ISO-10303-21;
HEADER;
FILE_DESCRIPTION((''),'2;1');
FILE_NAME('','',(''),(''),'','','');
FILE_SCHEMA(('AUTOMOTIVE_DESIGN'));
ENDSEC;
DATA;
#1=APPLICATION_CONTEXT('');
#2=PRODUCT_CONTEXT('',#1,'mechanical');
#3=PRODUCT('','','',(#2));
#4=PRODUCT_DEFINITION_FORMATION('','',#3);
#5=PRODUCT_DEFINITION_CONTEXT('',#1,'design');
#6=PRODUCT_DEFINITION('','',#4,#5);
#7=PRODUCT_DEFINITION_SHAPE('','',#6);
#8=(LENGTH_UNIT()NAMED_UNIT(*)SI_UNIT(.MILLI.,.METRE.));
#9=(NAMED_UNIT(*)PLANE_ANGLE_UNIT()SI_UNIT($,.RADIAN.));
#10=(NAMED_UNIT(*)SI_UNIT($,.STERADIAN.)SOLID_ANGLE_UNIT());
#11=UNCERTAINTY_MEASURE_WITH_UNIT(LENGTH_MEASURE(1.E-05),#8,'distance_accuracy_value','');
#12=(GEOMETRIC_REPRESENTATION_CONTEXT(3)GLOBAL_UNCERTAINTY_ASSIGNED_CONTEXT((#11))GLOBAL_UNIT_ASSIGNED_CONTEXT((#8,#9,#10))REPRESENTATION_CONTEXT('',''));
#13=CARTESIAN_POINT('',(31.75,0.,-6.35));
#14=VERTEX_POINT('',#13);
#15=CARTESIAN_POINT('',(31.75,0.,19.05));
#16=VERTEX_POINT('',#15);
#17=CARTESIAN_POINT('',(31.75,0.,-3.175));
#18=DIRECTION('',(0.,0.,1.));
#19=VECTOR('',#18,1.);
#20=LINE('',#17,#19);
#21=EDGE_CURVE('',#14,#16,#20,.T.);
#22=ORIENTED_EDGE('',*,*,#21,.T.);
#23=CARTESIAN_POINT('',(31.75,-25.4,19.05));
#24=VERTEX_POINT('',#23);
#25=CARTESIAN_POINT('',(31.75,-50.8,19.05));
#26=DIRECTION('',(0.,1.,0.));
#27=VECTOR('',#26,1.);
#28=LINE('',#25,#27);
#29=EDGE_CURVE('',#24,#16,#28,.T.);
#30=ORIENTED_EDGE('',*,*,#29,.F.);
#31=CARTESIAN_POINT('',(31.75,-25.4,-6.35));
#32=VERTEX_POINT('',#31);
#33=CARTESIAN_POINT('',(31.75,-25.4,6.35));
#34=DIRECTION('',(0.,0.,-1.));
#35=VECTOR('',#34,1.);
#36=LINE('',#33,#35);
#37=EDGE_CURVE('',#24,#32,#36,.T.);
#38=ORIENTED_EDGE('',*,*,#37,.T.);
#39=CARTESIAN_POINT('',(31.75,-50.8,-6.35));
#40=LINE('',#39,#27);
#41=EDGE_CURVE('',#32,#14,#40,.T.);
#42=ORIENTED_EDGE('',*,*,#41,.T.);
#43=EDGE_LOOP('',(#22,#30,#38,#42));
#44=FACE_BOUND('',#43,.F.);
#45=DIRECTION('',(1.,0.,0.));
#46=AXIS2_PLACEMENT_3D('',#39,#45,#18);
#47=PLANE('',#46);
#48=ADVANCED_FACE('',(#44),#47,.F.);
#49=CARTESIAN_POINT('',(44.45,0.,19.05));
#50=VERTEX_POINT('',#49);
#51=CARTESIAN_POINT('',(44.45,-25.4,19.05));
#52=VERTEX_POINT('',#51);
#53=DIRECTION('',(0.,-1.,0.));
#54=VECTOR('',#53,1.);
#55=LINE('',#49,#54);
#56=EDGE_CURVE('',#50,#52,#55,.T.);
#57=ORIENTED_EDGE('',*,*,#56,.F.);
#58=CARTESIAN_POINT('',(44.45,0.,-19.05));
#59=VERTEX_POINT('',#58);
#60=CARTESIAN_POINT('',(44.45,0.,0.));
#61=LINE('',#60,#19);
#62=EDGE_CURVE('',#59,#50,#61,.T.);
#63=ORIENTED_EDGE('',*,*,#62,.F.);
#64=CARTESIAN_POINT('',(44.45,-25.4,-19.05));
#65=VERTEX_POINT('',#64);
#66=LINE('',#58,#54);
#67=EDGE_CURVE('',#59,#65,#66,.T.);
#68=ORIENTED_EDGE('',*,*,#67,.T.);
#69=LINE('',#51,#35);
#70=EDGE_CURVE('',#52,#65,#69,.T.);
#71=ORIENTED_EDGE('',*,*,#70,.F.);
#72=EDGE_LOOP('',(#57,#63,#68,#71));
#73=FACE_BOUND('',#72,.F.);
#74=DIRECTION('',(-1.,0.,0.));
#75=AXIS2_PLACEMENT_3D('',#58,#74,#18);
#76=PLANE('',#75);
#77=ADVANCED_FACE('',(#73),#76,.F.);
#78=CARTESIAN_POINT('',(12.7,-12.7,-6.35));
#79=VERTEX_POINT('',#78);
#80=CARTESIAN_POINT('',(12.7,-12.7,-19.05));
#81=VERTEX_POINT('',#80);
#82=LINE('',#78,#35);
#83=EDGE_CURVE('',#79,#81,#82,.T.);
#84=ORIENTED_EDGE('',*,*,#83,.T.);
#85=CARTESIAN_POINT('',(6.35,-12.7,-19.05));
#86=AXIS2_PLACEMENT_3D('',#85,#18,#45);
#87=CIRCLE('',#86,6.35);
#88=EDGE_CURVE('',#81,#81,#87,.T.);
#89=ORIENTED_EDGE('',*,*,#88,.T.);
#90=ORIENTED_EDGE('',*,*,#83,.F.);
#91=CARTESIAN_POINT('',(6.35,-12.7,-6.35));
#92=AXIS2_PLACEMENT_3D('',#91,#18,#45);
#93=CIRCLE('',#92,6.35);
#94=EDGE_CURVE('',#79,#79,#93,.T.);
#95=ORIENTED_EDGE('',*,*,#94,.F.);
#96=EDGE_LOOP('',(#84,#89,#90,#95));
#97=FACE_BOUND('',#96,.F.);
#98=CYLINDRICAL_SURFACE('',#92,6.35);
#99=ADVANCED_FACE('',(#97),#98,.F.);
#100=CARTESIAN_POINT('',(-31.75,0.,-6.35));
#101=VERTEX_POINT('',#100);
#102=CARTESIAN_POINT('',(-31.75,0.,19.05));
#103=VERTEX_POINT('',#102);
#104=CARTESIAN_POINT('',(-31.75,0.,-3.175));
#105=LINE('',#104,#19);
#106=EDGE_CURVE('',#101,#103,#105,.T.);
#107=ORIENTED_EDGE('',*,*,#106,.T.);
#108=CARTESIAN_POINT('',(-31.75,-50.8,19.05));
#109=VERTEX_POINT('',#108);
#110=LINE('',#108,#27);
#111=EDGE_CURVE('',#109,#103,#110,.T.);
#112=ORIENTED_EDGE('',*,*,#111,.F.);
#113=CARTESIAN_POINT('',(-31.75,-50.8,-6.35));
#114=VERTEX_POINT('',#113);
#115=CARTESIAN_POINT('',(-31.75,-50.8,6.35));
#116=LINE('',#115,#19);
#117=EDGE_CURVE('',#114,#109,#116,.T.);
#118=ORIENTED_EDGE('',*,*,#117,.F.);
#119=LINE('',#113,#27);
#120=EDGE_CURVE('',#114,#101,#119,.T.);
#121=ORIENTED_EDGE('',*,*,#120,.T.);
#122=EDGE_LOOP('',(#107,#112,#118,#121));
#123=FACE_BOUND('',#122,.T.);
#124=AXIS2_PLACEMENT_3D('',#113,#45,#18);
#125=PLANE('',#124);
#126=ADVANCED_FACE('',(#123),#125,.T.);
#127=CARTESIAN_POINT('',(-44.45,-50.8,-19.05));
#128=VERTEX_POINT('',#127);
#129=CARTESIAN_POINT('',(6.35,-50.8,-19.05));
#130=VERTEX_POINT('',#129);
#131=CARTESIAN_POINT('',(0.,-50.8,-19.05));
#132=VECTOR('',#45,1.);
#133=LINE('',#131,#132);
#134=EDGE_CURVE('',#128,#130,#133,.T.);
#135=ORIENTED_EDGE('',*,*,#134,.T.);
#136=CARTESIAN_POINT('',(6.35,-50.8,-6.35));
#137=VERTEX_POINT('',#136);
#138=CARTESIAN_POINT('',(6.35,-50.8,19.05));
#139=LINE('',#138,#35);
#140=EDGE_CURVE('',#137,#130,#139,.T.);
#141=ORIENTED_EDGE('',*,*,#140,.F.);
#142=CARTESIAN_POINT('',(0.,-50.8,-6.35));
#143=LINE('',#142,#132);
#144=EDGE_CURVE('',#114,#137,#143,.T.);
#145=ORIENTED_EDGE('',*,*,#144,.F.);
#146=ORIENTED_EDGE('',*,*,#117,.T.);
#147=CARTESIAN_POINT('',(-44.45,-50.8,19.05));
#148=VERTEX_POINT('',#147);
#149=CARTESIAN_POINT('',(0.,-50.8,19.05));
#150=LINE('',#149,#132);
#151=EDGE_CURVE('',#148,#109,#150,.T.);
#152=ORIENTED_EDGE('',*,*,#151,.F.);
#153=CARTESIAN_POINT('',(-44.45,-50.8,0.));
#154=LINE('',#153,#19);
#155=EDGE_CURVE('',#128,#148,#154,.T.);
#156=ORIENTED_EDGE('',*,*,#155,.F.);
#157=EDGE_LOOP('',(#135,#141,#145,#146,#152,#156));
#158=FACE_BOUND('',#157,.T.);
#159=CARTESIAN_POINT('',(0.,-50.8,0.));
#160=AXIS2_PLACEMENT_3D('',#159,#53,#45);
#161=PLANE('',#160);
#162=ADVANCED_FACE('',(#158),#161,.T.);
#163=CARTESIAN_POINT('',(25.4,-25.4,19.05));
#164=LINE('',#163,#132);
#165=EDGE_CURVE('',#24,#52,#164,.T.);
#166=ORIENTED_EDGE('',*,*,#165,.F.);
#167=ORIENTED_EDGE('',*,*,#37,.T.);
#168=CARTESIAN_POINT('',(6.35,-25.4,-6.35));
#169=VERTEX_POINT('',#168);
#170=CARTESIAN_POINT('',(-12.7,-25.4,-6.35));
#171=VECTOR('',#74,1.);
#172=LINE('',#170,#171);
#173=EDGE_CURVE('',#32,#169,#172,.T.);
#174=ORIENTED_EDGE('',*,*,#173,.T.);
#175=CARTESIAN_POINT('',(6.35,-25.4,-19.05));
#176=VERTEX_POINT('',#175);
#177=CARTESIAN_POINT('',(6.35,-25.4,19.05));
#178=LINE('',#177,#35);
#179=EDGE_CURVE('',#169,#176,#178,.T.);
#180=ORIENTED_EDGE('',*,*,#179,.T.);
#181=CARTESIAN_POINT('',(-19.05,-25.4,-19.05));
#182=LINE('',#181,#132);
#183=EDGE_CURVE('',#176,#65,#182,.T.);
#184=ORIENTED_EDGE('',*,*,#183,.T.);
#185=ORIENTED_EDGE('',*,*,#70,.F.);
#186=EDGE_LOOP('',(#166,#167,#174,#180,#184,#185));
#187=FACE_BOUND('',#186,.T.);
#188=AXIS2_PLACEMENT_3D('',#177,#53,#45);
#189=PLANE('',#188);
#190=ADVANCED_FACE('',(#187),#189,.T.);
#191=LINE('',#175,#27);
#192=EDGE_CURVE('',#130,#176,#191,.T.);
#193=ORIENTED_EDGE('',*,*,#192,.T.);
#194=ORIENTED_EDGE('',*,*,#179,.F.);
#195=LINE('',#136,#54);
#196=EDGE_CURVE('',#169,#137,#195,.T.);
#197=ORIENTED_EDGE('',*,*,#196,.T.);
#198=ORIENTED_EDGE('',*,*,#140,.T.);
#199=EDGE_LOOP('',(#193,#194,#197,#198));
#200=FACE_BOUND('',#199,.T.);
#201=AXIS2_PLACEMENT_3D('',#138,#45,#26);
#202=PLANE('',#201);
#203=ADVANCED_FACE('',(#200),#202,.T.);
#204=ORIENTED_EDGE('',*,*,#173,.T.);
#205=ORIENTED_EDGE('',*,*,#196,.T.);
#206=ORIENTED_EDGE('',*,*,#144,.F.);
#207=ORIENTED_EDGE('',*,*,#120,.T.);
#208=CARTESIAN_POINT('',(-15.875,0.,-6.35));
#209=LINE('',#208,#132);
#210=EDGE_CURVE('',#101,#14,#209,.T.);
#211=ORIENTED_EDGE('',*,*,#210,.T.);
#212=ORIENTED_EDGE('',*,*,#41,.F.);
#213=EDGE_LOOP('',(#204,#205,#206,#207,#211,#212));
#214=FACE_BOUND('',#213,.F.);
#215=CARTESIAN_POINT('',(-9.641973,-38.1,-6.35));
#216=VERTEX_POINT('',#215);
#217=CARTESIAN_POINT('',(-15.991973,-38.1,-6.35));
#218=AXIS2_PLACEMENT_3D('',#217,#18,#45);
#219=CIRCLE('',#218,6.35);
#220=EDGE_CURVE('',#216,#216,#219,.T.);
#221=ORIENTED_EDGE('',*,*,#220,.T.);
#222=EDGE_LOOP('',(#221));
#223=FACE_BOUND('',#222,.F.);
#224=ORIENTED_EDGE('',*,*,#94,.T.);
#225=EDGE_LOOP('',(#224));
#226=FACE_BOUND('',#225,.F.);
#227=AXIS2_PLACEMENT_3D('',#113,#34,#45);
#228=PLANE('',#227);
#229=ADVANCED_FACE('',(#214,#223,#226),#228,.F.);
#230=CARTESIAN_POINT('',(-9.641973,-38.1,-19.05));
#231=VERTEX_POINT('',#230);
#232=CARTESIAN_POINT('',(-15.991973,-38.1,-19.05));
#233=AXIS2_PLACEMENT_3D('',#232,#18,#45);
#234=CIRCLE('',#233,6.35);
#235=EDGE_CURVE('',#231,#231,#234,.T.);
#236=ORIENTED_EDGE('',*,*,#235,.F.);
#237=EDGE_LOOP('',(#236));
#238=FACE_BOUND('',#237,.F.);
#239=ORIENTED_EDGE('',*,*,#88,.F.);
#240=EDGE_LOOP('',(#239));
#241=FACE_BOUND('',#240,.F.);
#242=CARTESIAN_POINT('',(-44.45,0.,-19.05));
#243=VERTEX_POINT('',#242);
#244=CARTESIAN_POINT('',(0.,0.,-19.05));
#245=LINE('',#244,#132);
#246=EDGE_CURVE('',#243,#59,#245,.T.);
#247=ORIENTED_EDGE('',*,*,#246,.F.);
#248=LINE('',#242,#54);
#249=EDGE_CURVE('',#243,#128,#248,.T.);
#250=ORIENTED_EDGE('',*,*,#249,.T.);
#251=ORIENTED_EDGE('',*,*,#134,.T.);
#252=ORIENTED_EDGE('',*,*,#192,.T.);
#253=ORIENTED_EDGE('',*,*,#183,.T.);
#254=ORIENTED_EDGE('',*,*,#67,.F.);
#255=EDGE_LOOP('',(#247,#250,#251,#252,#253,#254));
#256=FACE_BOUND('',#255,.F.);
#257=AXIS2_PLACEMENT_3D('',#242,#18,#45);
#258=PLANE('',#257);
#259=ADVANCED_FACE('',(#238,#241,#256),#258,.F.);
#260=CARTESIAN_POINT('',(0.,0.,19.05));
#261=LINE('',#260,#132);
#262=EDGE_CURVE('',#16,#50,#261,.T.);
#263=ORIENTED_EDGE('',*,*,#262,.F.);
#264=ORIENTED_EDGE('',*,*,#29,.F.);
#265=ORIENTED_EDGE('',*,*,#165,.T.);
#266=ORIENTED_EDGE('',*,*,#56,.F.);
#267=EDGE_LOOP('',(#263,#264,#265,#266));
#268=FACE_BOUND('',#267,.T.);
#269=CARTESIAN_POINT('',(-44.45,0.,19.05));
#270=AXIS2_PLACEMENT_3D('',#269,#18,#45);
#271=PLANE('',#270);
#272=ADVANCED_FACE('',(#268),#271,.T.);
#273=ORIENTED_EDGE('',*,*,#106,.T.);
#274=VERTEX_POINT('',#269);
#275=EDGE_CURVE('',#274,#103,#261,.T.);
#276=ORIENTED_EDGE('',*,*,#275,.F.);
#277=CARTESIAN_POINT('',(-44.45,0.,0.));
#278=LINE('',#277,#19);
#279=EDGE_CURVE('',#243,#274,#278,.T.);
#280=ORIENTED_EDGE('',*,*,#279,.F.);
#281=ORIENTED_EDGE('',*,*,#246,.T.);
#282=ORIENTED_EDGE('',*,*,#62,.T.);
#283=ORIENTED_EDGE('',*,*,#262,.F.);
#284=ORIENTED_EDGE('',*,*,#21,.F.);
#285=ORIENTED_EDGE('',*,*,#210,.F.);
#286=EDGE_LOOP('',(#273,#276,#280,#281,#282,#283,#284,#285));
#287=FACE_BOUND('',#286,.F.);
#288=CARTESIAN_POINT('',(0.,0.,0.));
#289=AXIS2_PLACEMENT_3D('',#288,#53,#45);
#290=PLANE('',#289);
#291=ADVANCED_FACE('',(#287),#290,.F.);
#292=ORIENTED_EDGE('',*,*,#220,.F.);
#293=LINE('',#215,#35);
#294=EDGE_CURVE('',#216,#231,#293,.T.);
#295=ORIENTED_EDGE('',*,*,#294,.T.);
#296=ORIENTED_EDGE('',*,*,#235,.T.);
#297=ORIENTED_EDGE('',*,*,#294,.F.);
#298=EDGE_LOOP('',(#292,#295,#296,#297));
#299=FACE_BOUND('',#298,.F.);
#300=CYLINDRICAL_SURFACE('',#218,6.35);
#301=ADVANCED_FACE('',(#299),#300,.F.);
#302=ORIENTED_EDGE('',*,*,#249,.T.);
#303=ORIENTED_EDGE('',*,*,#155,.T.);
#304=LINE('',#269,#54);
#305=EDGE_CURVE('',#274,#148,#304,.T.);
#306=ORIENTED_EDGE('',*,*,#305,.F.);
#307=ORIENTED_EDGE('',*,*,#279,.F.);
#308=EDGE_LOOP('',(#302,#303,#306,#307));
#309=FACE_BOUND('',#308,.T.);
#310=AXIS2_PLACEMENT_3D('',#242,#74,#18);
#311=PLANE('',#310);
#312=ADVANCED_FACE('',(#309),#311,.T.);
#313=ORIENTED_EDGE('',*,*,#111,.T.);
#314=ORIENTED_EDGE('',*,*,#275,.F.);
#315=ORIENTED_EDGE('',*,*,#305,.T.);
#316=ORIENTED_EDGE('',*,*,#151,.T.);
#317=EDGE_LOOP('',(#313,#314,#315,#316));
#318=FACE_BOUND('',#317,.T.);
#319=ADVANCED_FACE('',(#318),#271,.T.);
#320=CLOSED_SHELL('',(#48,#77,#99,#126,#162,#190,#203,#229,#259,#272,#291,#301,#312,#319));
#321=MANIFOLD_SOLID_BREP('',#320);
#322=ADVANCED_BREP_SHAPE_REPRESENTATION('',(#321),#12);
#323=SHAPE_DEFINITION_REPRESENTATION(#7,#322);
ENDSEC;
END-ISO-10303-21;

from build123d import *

# Parameters (mm, degrees)
F0_W     = 88.9
F0_H     = 38.1
F1_DEPTH = 50.8
F2_W     = 63.5
F2_H     = 25.4
F3_DEPTH = 50.801
F4_W     = 38.1
F4_H     = 25.4
F5_DEPTH = 38.101
F6_R     = 6.35
F7_DEPTH = 12.701
F8_R     = 6.35
F9_DEPTH = 12.701


with BuildPart() as f1:
    # F0 (on Front) → F1 (new body)
    with BuildSketch(Plane.XZ):
        Rectangle(F0_W, F0_H)
    extrude(amount=F1_DEPTH)

    # F2 (on face) → F3 (cut, through all)
    with BuildSketch(Plane.XZ.offset(50.8)):
        with Locations((0, 6.35)):
            Rectangle(F2_W, F2_H)
    extrude(amount=-F3_DEPTH, mode=Mode.SUBTRACT)

    # F4 (on face) → F5 (cut, through all)
    with BuildSketch(Plane.XY.offset(19.05)):
        with Locations((25.4, -38.1)):
            Rectangle(F4_W, F4_H)
    extrude(amount=-F5_DEPTH, mode=Mode.SUBTRACT)

    # F6 (on face) → F7 (cut, through all)
    with BuildSketch(Plane.XY.offset(-6.35)):
        with Locations((-15.991973, -38.1)):
            Circle(F6_R)
    extrude(amount=-F7_DEPTH, mode=Mode.SUBTRACT)

    # F8 (on face) → F9 (cut, through all)
    with BuildSketch(Plane.XY.offset(-6.35)):
        with Locations((6.35, -12.7)):
            Circle(F8_R)
    extrude(amount=-F9_DEPTH, mode=Mode.SUBTRACT)


solid = f1.part
